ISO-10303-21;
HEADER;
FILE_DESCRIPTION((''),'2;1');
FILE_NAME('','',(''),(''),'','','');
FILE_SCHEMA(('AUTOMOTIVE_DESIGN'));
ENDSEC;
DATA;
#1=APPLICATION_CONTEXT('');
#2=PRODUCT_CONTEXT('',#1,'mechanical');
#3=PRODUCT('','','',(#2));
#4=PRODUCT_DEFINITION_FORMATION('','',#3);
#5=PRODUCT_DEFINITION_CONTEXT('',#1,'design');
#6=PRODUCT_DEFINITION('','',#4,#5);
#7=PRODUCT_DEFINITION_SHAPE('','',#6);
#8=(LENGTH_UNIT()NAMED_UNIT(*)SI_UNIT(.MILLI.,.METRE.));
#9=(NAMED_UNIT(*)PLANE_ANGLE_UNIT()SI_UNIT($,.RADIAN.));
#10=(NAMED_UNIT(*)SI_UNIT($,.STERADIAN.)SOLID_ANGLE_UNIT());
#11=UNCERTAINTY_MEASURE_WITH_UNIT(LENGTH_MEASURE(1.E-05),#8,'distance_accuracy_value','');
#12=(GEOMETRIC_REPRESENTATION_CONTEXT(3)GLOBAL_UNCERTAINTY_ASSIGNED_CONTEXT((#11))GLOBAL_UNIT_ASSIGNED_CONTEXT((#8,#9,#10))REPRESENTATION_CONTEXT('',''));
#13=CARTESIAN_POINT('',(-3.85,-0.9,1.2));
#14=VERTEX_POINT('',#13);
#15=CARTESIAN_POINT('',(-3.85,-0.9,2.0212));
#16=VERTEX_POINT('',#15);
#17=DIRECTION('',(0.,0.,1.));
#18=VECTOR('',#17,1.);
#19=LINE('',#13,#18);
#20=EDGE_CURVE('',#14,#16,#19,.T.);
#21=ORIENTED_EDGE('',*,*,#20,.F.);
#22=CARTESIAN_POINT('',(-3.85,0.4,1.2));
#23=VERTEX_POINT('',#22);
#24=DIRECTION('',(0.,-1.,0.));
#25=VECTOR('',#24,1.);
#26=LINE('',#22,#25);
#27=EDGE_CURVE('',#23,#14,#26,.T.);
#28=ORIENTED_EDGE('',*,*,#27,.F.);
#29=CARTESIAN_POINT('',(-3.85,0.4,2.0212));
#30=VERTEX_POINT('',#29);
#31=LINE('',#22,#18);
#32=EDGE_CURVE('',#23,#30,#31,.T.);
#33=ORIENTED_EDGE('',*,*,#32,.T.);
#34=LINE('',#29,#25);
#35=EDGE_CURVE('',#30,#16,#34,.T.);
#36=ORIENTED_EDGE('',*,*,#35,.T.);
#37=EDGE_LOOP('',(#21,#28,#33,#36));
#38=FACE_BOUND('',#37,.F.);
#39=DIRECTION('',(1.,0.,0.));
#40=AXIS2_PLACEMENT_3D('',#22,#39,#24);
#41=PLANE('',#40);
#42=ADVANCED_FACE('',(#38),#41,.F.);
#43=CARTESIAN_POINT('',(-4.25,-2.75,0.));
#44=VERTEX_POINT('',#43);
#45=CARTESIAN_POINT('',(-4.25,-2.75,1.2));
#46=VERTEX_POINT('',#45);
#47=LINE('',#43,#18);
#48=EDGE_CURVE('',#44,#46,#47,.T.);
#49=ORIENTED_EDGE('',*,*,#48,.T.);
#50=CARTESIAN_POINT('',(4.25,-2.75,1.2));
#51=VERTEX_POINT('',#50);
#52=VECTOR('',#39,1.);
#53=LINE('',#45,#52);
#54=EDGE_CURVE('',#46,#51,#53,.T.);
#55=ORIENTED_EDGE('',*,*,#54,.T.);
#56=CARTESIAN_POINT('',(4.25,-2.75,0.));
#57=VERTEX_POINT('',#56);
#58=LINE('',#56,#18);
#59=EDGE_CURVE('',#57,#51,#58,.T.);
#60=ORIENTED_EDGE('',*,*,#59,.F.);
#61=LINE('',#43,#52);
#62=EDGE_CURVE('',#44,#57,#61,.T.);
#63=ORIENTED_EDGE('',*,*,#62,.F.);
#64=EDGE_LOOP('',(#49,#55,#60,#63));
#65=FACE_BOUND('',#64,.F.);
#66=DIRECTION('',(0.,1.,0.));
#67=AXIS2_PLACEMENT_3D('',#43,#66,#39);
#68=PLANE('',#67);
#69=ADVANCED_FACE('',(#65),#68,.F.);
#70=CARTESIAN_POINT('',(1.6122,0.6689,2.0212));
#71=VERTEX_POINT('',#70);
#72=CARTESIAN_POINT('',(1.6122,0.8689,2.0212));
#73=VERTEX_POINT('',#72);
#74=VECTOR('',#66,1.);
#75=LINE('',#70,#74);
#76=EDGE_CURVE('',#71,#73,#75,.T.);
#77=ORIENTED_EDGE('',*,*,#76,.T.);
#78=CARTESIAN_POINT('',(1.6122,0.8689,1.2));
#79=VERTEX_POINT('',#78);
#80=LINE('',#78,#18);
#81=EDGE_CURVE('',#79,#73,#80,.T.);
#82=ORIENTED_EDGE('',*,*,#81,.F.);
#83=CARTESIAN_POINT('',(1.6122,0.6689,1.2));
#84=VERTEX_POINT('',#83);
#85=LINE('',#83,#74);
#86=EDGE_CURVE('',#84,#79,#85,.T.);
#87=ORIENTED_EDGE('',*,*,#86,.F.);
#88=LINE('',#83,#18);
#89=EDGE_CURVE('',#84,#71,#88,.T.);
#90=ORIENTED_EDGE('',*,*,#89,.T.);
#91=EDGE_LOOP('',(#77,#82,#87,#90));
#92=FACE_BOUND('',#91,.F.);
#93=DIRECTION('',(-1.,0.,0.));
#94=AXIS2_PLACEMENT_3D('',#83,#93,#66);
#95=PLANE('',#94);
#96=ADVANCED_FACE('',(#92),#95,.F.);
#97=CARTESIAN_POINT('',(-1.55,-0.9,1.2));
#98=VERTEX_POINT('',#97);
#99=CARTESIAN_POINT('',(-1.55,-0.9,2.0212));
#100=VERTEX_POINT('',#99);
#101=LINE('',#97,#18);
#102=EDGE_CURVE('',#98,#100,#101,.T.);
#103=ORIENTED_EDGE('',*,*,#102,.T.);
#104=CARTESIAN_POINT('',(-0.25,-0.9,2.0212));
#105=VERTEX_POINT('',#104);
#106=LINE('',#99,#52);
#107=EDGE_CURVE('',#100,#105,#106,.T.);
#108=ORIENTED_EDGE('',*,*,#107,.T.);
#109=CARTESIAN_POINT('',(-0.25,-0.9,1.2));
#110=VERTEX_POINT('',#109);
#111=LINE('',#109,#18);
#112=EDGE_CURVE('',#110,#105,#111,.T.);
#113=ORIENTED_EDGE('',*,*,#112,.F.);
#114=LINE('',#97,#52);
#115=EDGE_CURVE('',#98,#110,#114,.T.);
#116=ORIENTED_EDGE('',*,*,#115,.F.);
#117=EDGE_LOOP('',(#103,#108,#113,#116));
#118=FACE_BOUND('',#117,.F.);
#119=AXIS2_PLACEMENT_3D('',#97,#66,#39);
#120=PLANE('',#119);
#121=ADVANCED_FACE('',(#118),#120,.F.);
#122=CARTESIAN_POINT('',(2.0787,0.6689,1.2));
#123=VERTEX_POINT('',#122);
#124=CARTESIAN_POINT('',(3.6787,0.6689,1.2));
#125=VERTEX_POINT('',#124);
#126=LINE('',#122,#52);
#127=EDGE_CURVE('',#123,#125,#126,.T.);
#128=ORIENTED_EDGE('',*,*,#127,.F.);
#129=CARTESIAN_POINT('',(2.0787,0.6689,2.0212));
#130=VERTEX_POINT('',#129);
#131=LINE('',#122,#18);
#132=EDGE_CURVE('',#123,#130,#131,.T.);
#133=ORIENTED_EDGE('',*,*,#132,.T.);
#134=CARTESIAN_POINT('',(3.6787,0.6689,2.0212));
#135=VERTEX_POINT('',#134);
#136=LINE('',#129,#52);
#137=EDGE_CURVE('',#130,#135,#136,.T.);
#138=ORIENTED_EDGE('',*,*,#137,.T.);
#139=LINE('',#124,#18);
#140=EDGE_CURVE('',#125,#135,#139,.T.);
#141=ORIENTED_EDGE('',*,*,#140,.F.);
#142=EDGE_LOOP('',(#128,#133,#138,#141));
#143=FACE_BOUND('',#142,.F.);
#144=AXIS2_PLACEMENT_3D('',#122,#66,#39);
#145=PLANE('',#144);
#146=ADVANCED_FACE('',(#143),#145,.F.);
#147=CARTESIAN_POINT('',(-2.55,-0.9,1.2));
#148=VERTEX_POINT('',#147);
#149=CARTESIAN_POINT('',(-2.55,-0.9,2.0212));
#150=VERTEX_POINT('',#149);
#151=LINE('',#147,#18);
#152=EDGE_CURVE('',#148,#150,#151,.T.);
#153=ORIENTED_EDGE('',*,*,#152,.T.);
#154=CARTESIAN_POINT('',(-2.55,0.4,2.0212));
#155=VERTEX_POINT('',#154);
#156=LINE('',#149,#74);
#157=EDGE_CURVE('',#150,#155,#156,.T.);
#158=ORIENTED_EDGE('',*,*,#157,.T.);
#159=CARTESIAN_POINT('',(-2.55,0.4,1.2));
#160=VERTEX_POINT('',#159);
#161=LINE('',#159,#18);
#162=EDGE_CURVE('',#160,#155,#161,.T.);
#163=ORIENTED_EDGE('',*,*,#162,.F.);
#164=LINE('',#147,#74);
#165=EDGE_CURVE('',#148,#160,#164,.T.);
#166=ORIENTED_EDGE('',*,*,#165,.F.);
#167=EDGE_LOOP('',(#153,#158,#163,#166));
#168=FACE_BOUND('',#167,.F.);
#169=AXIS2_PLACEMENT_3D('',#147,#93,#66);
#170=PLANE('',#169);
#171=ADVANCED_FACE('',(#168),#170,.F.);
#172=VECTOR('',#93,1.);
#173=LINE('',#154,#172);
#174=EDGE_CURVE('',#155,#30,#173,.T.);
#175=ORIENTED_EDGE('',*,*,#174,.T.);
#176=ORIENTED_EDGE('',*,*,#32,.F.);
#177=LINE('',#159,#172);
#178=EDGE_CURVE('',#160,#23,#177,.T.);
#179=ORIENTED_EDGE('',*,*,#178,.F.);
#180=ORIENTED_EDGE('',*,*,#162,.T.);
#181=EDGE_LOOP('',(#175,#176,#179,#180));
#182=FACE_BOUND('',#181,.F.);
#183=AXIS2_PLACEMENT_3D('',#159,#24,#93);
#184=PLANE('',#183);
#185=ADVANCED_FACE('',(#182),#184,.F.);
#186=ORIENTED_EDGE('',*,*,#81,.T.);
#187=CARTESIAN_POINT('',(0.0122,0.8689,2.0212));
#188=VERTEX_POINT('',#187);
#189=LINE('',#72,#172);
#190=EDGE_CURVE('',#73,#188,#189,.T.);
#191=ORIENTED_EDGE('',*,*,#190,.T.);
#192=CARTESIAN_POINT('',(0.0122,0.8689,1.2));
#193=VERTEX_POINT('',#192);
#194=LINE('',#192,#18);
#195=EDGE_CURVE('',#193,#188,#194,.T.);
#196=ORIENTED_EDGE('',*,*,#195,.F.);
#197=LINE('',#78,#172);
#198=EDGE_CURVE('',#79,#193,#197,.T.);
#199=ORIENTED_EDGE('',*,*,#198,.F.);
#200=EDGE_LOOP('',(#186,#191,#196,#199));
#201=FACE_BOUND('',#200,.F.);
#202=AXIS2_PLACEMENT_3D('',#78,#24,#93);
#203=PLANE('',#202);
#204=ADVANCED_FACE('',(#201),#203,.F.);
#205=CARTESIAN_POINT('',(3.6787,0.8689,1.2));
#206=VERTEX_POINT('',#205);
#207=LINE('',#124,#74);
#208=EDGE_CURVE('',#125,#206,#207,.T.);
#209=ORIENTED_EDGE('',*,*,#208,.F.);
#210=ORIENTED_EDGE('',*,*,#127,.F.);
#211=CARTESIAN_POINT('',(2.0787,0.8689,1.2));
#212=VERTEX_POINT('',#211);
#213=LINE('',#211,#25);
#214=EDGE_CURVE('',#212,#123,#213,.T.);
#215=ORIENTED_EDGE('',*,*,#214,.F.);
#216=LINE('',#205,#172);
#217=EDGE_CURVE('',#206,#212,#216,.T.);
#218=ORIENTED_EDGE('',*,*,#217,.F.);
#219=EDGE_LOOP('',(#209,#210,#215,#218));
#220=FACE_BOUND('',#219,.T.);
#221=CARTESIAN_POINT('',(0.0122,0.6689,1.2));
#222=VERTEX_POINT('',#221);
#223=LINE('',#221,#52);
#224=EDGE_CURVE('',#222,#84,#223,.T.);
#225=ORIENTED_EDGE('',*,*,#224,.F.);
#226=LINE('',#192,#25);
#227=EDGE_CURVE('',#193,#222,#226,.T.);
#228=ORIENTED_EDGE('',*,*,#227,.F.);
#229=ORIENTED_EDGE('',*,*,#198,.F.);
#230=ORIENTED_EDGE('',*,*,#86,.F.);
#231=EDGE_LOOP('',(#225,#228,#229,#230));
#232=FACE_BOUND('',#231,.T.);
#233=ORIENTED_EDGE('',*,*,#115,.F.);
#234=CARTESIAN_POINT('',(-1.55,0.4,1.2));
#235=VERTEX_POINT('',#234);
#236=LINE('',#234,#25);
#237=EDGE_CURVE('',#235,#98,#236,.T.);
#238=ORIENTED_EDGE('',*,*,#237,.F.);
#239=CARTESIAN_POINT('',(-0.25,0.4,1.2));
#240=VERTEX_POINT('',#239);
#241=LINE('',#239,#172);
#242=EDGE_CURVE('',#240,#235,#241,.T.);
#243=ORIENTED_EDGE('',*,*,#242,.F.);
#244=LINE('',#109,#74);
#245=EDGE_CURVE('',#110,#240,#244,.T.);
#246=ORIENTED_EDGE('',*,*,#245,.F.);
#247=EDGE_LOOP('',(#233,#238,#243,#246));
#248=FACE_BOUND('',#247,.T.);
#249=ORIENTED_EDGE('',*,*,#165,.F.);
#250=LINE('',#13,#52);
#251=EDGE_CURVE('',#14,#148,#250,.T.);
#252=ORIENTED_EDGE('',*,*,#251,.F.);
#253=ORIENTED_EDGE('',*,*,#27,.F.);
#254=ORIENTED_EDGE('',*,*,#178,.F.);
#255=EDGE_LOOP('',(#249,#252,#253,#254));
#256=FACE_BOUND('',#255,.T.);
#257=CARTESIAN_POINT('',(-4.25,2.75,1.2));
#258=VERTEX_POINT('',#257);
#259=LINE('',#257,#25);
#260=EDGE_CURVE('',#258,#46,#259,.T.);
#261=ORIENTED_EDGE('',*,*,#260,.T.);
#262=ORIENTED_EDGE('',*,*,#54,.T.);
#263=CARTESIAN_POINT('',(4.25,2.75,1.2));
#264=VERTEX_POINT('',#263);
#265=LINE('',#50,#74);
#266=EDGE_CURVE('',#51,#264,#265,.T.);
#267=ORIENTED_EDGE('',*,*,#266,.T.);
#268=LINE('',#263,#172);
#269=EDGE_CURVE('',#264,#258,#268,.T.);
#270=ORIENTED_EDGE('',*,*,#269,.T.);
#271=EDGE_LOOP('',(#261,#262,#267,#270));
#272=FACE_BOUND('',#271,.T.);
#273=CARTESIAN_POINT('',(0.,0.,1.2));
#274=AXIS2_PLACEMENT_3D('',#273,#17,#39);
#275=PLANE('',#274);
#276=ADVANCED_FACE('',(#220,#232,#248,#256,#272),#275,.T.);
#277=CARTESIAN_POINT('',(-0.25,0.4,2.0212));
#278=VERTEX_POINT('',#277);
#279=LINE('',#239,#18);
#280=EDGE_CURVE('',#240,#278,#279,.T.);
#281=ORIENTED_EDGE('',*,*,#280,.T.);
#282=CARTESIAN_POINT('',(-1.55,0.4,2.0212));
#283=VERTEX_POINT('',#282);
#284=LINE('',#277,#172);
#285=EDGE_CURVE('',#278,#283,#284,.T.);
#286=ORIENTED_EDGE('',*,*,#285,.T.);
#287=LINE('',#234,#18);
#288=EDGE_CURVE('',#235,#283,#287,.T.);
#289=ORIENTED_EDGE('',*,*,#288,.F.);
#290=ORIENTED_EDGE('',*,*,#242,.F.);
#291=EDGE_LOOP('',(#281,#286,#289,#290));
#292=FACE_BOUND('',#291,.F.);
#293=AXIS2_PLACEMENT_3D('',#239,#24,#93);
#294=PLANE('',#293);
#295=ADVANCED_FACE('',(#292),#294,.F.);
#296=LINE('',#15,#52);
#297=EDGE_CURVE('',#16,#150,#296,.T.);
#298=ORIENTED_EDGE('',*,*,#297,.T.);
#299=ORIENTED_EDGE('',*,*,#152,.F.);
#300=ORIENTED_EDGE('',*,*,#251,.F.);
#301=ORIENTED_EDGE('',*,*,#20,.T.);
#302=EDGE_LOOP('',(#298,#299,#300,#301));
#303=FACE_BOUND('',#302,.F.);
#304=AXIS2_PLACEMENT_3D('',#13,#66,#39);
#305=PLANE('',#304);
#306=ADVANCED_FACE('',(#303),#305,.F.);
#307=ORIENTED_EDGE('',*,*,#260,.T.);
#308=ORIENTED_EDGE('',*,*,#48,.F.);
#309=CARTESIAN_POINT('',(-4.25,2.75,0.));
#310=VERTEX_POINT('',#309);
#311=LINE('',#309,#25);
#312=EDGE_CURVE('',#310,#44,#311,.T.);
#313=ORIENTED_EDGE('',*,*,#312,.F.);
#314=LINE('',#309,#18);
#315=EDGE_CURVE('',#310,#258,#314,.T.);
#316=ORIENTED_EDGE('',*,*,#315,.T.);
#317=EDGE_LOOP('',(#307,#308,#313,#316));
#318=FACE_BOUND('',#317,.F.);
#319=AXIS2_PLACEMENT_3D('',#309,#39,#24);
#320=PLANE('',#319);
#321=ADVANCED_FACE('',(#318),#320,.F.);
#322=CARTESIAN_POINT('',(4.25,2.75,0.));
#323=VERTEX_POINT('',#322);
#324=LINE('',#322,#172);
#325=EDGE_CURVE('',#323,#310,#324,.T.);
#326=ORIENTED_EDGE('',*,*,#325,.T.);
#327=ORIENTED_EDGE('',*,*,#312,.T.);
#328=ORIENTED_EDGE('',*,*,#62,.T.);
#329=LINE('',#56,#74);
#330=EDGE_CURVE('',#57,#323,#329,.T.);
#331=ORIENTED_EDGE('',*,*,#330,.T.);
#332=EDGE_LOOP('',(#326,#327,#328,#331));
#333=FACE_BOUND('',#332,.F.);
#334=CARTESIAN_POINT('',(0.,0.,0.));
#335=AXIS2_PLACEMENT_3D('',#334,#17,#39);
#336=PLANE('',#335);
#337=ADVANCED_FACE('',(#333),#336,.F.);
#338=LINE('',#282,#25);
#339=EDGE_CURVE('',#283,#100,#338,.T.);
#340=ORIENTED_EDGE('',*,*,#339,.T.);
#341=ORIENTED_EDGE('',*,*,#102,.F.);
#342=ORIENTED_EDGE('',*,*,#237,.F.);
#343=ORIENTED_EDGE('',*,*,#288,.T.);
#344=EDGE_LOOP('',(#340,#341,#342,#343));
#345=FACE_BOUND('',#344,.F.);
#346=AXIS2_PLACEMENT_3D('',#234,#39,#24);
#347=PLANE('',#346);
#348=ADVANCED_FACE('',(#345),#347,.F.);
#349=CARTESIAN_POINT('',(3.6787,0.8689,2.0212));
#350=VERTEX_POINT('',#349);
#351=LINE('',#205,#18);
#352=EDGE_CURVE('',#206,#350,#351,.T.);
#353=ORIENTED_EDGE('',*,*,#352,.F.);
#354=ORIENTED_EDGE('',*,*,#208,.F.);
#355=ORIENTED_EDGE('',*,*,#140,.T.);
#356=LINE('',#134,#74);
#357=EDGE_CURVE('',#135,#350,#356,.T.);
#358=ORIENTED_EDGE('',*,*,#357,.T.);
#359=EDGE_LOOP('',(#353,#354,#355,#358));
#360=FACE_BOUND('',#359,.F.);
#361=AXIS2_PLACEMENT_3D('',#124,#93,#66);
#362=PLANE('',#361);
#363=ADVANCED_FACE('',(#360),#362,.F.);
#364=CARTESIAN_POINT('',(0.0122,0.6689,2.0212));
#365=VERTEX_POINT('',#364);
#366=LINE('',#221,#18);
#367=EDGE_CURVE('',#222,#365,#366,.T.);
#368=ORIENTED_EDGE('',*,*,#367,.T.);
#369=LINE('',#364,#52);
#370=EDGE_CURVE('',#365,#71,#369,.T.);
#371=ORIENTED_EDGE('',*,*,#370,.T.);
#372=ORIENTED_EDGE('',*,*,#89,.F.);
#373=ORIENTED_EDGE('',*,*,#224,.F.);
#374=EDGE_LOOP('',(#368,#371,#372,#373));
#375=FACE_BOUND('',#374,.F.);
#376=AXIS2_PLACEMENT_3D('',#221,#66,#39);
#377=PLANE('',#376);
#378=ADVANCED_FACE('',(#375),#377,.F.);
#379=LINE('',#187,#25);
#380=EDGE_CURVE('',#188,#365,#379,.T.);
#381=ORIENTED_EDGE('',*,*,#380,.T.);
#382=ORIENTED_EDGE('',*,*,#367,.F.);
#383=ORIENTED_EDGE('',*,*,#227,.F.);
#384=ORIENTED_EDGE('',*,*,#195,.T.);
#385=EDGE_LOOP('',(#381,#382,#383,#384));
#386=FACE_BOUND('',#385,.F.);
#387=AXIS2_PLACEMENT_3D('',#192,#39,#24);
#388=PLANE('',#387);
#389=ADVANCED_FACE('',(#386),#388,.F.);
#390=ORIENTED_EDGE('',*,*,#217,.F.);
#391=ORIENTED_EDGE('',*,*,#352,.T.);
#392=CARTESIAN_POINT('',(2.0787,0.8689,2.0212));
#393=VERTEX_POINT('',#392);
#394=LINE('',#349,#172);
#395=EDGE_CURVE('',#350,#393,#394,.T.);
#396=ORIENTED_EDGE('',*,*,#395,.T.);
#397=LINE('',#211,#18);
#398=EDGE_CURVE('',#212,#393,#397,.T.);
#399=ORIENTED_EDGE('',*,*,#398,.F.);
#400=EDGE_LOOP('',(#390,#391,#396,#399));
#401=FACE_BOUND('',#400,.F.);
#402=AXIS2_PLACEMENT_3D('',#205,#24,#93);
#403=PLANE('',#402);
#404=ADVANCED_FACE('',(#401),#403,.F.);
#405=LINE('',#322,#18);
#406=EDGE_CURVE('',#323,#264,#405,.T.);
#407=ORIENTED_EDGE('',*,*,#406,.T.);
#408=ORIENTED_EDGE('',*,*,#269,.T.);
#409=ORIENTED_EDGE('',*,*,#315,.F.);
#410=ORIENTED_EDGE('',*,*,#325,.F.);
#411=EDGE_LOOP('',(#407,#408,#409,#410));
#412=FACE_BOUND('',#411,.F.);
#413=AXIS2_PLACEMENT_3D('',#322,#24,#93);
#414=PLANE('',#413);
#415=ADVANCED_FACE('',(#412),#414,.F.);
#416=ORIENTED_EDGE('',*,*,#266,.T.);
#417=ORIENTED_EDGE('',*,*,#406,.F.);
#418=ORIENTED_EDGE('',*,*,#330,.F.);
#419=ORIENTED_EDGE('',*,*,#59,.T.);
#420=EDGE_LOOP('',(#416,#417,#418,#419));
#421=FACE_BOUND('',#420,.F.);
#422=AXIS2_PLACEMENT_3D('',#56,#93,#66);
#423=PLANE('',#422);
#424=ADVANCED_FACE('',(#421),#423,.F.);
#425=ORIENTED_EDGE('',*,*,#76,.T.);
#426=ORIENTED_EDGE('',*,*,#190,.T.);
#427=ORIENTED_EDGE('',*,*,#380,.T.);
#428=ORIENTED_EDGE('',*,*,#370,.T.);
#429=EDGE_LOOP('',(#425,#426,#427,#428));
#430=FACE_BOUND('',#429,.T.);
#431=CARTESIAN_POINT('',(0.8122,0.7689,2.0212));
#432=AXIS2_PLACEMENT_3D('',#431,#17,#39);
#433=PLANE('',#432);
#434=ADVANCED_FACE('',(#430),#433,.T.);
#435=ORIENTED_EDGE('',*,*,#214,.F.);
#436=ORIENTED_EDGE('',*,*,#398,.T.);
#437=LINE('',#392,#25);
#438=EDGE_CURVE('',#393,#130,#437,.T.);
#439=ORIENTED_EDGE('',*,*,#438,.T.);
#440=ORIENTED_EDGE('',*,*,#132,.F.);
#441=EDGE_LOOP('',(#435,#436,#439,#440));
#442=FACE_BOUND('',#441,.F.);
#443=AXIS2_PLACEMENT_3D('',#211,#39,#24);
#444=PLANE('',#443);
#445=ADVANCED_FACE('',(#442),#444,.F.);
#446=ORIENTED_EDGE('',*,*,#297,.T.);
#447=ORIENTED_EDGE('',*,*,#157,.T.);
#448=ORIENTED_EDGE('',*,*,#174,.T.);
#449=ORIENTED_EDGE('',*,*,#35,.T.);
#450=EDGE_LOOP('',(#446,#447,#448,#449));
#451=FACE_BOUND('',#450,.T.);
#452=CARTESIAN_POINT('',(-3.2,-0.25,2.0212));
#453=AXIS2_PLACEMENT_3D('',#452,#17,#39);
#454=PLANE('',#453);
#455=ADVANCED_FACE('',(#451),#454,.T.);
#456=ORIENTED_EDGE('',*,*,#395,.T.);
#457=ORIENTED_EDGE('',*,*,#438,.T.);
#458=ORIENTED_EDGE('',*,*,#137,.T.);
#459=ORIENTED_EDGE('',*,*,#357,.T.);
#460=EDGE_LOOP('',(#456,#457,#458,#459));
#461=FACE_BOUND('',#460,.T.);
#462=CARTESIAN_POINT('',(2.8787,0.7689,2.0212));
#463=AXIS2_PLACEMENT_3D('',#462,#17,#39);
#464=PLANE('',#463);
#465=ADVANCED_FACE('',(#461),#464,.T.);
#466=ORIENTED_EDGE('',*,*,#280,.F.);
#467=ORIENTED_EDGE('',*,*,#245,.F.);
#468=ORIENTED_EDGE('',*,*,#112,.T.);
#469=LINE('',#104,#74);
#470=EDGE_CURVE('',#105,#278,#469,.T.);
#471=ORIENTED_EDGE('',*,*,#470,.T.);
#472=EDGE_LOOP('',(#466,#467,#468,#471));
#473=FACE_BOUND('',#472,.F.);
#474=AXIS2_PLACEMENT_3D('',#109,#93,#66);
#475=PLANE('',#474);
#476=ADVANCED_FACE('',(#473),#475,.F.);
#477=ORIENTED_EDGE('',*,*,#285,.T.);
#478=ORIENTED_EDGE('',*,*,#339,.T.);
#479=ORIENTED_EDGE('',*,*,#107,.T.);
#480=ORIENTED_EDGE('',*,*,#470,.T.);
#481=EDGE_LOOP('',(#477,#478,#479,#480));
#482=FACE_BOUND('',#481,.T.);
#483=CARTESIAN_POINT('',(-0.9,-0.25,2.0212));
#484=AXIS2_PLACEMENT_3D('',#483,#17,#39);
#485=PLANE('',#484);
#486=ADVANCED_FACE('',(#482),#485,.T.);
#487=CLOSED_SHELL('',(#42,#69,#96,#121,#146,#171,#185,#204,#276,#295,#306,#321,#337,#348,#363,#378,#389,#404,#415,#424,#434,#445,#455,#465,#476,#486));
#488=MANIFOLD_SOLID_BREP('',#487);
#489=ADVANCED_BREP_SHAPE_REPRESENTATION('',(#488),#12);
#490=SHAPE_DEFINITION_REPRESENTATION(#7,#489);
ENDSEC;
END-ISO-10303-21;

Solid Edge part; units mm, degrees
sketch "Sketch1" plane through (0, 0, 0) normal (0, 0, 1) x (1, 0, 0)
  line L0 (-4.25, -2.75) -> (4.25, -2.75)
  line L1 (4.25, -2.75) -> (4.25, 2.75)
  line L2 (4.25, 2.75) -> (-4.25, 2.75)
  line L3 (-4.25, 2.75) -> (-4.25, -2.75)
  dimension "D1" = 8.5
  dimension "D2" = 5.5
extrude "Protrusion1" add sketch "Sketch1" along normal blind 1.2
sketch "Sketch2" plane through (0, 0, 1.2) normal (0, 0, 1) x (1, 0, 0)
  line L0 (-3.85, -0.9) -> (-2.55, -0.9)
  line L1 (-2.55, -0.9) -> (-2.55, 0.4)
  line L2 (-2.55, 0.4) -> (-3.85, 0.4)
  line L3 (-3.85, 0.4) -> (-3.85, -0.9)
  line L4 (-0.25, -0.9) -> (-0.25, 0.4)
  line L5 (-0.25, 0.4) -> (-1.55, 0.4)
  line L6 (-1.55, 0.4) -> (-1.55, -0.9)
  line L7 (-1.55, -0.9) -> (-0.25, -0.9)
  line L8 (0.0122, 0.6689) -> (1.6122, 0.6689)
  line L9 (1.6122, 0.6689) -> (1.6122, 0.8689)
  line L10 (1.6122, 0.8689) -> (0.0122, 0.8689)
  line L11 (0.0122, 0.8689) -> (0.0122, 0.6689)
  line L12 (2.0787, 0.6689) -> (3.6787, 0.6689)
  line L13 (3.6787, 0.6689) -> (3.6787, 0.8689)
  line L14 (3.6787, 0.8689) -> (2.0787, 0.8689)
  line L15 (2.0787, 0.8689) -> (2.0787, 0.6689)
  dimension "D1" = 1.3
  dimension "D2" = 1.3
  dimension "D3" = 1.3
  dimension "D4" = 1.3
  dimension "D5" = 0.25
  dimension "D6" = 1
  dimension "D7" = 0.4
  dimension "D8" = 1.3
extrude "boutons" add sketch "Sketch2" along normal blind 0.8212
